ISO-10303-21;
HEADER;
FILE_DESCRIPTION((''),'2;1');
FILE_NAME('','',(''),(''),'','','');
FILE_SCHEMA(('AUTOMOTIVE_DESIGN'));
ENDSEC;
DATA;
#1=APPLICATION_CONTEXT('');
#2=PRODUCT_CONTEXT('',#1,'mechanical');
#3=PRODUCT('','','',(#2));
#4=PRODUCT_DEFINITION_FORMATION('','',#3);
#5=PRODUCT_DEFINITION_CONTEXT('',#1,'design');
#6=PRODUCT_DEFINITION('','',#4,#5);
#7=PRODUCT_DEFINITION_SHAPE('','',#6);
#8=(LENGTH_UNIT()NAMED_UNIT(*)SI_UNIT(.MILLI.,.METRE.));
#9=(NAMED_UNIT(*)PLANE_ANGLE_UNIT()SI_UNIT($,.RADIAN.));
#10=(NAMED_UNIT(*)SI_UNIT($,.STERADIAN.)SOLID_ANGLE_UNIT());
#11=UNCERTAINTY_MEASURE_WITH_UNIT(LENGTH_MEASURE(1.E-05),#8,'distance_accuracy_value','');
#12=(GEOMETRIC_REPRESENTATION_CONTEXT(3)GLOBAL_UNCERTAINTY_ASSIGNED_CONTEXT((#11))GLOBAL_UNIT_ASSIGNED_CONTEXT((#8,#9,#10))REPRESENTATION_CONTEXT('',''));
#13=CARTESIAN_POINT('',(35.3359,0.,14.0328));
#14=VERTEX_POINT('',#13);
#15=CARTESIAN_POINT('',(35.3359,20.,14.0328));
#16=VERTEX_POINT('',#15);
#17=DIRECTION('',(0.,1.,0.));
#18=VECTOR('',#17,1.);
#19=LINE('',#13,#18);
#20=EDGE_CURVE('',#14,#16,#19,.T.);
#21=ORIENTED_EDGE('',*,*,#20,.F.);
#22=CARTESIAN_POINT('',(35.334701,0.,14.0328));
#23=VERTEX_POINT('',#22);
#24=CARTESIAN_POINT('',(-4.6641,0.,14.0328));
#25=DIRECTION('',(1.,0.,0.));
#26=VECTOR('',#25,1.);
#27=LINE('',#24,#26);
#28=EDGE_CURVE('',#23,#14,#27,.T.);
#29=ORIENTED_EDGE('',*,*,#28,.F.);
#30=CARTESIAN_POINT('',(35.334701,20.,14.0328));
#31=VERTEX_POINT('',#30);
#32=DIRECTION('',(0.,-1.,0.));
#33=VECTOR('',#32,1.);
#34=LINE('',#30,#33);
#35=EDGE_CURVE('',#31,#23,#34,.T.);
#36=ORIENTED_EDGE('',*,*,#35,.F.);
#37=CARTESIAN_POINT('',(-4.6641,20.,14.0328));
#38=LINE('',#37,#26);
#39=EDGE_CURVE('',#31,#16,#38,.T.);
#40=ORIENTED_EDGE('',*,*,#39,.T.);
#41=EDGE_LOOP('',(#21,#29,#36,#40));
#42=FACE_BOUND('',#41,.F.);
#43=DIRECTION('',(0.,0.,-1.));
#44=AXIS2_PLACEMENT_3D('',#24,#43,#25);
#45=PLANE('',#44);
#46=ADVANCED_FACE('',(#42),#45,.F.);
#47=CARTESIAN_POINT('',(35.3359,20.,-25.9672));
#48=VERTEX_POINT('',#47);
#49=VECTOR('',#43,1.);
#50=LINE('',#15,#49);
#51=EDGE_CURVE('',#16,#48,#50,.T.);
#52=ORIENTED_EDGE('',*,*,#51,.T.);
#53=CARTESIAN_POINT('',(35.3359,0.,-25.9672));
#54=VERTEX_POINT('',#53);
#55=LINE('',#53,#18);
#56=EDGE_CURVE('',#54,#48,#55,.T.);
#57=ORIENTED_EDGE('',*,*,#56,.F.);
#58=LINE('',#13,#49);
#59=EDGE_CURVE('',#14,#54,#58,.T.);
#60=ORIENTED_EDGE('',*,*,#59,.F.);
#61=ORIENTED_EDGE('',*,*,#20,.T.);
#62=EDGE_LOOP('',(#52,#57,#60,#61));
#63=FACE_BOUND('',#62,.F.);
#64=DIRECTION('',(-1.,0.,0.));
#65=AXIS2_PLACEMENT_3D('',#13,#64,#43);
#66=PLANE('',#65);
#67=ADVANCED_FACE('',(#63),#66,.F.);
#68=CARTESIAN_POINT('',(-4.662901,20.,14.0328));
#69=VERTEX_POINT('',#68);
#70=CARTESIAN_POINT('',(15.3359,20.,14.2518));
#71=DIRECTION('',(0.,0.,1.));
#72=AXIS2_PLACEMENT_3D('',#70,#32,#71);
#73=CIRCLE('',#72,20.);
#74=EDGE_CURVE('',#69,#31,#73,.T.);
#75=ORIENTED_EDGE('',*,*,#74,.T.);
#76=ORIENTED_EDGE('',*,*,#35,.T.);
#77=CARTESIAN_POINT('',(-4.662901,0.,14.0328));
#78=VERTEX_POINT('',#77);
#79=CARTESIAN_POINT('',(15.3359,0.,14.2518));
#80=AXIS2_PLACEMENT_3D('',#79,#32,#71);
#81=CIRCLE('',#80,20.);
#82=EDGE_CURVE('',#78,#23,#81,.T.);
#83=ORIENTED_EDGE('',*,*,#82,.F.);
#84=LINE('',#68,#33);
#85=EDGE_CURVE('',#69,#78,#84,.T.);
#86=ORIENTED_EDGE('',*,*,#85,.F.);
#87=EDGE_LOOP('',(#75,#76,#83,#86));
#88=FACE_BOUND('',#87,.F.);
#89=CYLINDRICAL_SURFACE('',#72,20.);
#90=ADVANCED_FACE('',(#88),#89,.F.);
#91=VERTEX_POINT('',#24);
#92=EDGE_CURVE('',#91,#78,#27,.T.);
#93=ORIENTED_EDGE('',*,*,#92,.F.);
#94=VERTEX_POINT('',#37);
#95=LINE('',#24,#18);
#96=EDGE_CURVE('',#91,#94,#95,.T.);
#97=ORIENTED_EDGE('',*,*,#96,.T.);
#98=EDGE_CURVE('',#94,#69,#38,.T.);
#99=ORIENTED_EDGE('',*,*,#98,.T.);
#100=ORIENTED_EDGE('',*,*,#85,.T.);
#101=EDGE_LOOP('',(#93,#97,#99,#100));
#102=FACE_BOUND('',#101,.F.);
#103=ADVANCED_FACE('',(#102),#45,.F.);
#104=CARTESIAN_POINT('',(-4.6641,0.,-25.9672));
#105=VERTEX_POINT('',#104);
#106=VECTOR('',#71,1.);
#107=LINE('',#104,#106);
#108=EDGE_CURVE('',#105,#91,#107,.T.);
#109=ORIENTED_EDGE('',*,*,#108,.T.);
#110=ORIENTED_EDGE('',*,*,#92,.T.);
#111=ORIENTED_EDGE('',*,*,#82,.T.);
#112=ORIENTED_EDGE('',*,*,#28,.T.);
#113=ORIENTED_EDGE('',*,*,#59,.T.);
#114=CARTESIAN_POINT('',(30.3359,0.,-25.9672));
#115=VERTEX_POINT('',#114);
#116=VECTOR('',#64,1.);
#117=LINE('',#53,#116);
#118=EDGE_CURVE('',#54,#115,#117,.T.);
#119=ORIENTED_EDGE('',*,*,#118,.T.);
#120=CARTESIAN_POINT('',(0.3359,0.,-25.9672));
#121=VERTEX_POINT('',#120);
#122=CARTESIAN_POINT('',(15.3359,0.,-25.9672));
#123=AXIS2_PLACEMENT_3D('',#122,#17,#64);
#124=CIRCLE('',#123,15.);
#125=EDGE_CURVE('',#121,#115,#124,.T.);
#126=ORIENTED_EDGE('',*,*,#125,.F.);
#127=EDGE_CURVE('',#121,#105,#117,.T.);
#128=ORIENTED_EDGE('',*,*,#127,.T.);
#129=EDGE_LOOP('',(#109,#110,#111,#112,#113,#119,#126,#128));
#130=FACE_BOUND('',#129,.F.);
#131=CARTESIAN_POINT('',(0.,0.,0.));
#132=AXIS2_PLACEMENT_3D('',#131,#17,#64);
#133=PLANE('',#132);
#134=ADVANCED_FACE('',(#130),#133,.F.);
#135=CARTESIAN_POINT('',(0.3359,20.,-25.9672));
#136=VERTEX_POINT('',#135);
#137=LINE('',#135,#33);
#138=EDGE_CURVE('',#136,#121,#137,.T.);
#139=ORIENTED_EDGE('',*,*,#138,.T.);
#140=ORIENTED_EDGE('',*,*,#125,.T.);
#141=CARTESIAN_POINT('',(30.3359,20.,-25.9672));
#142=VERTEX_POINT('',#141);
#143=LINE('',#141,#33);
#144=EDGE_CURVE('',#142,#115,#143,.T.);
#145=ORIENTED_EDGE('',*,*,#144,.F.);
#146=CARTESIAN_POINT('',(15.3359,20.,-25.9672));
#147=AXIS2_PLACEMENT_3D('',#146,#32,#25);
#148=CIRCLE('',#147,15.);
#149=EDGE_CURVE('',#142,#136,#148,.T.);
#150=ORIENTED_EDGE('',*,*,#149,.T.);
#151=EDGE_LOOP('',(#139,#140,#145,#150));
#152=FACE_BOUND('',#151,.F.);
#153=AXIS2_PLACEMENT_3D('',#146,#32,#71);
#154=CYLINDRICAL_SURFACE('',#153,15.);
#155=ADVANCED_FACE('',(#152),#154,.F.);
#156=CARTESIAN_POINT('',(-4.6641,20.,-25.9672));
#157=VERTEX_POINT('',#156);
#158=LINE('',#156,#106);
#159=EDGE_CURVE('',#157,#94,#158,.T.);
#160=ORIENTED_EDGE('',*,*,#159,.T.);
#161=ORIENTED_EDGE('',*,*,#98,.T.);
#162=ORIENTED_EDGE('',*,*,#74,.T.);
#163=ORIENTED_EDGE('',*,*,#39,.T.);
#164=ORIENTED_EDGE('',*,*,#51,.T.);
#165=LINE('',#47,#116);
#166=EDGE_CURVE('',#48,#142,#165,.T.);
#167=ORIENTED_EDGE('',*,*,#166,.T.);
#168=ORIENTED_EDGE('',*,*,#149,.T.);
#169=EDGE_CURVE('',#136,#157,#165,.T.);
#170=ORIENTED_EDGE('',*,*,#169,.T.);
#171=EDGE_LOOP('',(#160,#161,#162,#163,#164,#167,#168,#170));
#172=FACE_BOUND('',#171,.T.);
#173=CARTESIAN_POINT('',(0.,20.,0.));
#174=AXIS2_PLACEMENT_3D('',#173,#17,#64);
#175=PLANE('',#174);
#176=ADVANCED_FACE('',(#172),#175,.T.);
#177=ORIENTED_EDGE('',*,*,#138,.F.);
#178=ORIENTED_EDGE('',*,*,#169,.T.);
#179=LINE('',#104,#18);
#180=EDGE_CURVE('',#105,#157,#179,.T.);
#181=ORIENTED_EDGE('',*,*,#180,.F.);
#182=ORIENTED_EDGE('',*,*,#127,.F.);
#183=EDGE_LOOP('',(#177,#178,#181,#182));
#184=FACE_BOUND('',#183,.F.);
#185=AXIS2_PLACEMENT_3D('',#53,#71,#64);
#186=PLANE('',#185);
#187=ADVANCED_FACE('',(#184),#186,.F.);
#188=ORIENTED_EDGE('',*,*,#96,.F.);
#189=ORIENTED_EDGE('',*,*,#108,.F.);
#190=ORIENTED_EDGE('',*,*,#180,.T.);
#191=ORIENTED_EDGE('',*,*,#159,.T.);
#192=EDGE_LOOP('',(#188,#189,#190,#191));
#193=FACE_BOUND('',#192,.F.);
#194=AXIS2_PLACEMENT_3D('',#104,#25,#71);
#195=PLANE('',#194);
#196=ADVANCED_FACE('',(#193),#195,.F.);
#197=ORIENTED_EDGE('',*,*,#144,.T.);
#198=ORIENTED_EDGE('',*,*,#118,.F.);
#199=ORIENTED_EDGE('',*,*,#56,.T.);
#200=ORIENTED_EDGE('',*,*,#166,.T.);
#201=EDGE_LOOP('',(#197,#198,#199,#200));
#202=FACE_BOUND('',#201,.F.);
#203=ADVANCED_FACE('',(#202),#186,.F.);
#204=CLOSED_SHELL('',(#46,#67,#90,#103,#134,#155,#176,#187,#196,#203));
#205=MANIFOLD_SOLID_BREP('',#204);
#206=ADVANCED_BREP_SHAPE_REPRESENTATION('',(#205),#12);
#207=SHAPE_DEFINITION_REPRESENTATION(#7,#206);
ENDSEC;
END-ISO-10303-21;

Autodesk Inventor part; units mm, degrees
ref_plane "YZ Plane" through (0, 0, 0) normal (1, 0, 0) x (0, 1, 0)
ref_plane "XZ Plane" through (0, 0, 0) normal (0, 1, 0) x (-1, 0, 0)
ref_plane "XY Plane" through (0, 0, 0) normal (0, 0, 1) x (1, 0, 0)
sketch "スケッチ1" plane through (0, 0, 0) normal (0, 1, 0) x (-1, 0, 0)
  line L0 (4.6641, 14.0328) -> (-35.3359, 14.0328)
  line L1 (-35.3359, 14.0328) -> (-35.3359, -25.9672)
  line L2 (-35.3359, -25.9672) -> (4.6641, -25.9672)
  line L3 (4.6641, -25.9672) -> (4.6641, 14.0328)
  point P0 (0, 0)
  dimension "d0" = 40
  dimension "d1" = 40
extrude "押し出し1" add sketch "スケッチ1" along normal blind 20
sketch "スケッチ2" plane through (0, 20, 0) normal (0, 1, 0) x (1, 0, 0)
  line L0 (35.3359, 25.9672) -> (-4.6641, 25.9672) projected
  circle A0 centre (15.3359, 25.9672) radius 15
  line L1 (-4.6641, -14.0328) -> (35.3359, -14.0328) projected
  circle A1 centre (15.3359, -14.2518) radius 20.0012
  point P0 (0, 0)
  dimension "d4" = 30
hole "穴1" at (15.3359, 20, 14.2518) direction (0, -1, 0) diameter 40 depth 20
sketch "スケッチ3" plane through (0, 20, 0) normal (0, 1, 0) x (1, 0, 0)
  line L0 (35.3359, 25.9672) -> (-4.6641, 25.9672) projected
  circle A0 centre (15.3359, 25.9672) radius 15
  point P0 (0, 0)
  dimension "d12" = 30
hole "穴2" at (15.3359, 20, -25.9672) direction (0, -1, 0) diameter 30 depth 20
equation "\"BendRadius\" = Thickness"
equation "\"BendReliefWidth\" = Thickness"
equation "\"BendReliefDepth\" = 0.5 * Thickness"
equation "\"CornerReliefSize\" = 4 * Thickness"
equation "\"MinimumRemnant\" = 2 * Thickness"
equation "\"TransitionRadius\" = BendRadius"
equation "\"JacobiRadiusSize\" = BendRadius"
equation "\"GapSize\" = Thickness"
equation "\"Thickness\" = 0.5"
